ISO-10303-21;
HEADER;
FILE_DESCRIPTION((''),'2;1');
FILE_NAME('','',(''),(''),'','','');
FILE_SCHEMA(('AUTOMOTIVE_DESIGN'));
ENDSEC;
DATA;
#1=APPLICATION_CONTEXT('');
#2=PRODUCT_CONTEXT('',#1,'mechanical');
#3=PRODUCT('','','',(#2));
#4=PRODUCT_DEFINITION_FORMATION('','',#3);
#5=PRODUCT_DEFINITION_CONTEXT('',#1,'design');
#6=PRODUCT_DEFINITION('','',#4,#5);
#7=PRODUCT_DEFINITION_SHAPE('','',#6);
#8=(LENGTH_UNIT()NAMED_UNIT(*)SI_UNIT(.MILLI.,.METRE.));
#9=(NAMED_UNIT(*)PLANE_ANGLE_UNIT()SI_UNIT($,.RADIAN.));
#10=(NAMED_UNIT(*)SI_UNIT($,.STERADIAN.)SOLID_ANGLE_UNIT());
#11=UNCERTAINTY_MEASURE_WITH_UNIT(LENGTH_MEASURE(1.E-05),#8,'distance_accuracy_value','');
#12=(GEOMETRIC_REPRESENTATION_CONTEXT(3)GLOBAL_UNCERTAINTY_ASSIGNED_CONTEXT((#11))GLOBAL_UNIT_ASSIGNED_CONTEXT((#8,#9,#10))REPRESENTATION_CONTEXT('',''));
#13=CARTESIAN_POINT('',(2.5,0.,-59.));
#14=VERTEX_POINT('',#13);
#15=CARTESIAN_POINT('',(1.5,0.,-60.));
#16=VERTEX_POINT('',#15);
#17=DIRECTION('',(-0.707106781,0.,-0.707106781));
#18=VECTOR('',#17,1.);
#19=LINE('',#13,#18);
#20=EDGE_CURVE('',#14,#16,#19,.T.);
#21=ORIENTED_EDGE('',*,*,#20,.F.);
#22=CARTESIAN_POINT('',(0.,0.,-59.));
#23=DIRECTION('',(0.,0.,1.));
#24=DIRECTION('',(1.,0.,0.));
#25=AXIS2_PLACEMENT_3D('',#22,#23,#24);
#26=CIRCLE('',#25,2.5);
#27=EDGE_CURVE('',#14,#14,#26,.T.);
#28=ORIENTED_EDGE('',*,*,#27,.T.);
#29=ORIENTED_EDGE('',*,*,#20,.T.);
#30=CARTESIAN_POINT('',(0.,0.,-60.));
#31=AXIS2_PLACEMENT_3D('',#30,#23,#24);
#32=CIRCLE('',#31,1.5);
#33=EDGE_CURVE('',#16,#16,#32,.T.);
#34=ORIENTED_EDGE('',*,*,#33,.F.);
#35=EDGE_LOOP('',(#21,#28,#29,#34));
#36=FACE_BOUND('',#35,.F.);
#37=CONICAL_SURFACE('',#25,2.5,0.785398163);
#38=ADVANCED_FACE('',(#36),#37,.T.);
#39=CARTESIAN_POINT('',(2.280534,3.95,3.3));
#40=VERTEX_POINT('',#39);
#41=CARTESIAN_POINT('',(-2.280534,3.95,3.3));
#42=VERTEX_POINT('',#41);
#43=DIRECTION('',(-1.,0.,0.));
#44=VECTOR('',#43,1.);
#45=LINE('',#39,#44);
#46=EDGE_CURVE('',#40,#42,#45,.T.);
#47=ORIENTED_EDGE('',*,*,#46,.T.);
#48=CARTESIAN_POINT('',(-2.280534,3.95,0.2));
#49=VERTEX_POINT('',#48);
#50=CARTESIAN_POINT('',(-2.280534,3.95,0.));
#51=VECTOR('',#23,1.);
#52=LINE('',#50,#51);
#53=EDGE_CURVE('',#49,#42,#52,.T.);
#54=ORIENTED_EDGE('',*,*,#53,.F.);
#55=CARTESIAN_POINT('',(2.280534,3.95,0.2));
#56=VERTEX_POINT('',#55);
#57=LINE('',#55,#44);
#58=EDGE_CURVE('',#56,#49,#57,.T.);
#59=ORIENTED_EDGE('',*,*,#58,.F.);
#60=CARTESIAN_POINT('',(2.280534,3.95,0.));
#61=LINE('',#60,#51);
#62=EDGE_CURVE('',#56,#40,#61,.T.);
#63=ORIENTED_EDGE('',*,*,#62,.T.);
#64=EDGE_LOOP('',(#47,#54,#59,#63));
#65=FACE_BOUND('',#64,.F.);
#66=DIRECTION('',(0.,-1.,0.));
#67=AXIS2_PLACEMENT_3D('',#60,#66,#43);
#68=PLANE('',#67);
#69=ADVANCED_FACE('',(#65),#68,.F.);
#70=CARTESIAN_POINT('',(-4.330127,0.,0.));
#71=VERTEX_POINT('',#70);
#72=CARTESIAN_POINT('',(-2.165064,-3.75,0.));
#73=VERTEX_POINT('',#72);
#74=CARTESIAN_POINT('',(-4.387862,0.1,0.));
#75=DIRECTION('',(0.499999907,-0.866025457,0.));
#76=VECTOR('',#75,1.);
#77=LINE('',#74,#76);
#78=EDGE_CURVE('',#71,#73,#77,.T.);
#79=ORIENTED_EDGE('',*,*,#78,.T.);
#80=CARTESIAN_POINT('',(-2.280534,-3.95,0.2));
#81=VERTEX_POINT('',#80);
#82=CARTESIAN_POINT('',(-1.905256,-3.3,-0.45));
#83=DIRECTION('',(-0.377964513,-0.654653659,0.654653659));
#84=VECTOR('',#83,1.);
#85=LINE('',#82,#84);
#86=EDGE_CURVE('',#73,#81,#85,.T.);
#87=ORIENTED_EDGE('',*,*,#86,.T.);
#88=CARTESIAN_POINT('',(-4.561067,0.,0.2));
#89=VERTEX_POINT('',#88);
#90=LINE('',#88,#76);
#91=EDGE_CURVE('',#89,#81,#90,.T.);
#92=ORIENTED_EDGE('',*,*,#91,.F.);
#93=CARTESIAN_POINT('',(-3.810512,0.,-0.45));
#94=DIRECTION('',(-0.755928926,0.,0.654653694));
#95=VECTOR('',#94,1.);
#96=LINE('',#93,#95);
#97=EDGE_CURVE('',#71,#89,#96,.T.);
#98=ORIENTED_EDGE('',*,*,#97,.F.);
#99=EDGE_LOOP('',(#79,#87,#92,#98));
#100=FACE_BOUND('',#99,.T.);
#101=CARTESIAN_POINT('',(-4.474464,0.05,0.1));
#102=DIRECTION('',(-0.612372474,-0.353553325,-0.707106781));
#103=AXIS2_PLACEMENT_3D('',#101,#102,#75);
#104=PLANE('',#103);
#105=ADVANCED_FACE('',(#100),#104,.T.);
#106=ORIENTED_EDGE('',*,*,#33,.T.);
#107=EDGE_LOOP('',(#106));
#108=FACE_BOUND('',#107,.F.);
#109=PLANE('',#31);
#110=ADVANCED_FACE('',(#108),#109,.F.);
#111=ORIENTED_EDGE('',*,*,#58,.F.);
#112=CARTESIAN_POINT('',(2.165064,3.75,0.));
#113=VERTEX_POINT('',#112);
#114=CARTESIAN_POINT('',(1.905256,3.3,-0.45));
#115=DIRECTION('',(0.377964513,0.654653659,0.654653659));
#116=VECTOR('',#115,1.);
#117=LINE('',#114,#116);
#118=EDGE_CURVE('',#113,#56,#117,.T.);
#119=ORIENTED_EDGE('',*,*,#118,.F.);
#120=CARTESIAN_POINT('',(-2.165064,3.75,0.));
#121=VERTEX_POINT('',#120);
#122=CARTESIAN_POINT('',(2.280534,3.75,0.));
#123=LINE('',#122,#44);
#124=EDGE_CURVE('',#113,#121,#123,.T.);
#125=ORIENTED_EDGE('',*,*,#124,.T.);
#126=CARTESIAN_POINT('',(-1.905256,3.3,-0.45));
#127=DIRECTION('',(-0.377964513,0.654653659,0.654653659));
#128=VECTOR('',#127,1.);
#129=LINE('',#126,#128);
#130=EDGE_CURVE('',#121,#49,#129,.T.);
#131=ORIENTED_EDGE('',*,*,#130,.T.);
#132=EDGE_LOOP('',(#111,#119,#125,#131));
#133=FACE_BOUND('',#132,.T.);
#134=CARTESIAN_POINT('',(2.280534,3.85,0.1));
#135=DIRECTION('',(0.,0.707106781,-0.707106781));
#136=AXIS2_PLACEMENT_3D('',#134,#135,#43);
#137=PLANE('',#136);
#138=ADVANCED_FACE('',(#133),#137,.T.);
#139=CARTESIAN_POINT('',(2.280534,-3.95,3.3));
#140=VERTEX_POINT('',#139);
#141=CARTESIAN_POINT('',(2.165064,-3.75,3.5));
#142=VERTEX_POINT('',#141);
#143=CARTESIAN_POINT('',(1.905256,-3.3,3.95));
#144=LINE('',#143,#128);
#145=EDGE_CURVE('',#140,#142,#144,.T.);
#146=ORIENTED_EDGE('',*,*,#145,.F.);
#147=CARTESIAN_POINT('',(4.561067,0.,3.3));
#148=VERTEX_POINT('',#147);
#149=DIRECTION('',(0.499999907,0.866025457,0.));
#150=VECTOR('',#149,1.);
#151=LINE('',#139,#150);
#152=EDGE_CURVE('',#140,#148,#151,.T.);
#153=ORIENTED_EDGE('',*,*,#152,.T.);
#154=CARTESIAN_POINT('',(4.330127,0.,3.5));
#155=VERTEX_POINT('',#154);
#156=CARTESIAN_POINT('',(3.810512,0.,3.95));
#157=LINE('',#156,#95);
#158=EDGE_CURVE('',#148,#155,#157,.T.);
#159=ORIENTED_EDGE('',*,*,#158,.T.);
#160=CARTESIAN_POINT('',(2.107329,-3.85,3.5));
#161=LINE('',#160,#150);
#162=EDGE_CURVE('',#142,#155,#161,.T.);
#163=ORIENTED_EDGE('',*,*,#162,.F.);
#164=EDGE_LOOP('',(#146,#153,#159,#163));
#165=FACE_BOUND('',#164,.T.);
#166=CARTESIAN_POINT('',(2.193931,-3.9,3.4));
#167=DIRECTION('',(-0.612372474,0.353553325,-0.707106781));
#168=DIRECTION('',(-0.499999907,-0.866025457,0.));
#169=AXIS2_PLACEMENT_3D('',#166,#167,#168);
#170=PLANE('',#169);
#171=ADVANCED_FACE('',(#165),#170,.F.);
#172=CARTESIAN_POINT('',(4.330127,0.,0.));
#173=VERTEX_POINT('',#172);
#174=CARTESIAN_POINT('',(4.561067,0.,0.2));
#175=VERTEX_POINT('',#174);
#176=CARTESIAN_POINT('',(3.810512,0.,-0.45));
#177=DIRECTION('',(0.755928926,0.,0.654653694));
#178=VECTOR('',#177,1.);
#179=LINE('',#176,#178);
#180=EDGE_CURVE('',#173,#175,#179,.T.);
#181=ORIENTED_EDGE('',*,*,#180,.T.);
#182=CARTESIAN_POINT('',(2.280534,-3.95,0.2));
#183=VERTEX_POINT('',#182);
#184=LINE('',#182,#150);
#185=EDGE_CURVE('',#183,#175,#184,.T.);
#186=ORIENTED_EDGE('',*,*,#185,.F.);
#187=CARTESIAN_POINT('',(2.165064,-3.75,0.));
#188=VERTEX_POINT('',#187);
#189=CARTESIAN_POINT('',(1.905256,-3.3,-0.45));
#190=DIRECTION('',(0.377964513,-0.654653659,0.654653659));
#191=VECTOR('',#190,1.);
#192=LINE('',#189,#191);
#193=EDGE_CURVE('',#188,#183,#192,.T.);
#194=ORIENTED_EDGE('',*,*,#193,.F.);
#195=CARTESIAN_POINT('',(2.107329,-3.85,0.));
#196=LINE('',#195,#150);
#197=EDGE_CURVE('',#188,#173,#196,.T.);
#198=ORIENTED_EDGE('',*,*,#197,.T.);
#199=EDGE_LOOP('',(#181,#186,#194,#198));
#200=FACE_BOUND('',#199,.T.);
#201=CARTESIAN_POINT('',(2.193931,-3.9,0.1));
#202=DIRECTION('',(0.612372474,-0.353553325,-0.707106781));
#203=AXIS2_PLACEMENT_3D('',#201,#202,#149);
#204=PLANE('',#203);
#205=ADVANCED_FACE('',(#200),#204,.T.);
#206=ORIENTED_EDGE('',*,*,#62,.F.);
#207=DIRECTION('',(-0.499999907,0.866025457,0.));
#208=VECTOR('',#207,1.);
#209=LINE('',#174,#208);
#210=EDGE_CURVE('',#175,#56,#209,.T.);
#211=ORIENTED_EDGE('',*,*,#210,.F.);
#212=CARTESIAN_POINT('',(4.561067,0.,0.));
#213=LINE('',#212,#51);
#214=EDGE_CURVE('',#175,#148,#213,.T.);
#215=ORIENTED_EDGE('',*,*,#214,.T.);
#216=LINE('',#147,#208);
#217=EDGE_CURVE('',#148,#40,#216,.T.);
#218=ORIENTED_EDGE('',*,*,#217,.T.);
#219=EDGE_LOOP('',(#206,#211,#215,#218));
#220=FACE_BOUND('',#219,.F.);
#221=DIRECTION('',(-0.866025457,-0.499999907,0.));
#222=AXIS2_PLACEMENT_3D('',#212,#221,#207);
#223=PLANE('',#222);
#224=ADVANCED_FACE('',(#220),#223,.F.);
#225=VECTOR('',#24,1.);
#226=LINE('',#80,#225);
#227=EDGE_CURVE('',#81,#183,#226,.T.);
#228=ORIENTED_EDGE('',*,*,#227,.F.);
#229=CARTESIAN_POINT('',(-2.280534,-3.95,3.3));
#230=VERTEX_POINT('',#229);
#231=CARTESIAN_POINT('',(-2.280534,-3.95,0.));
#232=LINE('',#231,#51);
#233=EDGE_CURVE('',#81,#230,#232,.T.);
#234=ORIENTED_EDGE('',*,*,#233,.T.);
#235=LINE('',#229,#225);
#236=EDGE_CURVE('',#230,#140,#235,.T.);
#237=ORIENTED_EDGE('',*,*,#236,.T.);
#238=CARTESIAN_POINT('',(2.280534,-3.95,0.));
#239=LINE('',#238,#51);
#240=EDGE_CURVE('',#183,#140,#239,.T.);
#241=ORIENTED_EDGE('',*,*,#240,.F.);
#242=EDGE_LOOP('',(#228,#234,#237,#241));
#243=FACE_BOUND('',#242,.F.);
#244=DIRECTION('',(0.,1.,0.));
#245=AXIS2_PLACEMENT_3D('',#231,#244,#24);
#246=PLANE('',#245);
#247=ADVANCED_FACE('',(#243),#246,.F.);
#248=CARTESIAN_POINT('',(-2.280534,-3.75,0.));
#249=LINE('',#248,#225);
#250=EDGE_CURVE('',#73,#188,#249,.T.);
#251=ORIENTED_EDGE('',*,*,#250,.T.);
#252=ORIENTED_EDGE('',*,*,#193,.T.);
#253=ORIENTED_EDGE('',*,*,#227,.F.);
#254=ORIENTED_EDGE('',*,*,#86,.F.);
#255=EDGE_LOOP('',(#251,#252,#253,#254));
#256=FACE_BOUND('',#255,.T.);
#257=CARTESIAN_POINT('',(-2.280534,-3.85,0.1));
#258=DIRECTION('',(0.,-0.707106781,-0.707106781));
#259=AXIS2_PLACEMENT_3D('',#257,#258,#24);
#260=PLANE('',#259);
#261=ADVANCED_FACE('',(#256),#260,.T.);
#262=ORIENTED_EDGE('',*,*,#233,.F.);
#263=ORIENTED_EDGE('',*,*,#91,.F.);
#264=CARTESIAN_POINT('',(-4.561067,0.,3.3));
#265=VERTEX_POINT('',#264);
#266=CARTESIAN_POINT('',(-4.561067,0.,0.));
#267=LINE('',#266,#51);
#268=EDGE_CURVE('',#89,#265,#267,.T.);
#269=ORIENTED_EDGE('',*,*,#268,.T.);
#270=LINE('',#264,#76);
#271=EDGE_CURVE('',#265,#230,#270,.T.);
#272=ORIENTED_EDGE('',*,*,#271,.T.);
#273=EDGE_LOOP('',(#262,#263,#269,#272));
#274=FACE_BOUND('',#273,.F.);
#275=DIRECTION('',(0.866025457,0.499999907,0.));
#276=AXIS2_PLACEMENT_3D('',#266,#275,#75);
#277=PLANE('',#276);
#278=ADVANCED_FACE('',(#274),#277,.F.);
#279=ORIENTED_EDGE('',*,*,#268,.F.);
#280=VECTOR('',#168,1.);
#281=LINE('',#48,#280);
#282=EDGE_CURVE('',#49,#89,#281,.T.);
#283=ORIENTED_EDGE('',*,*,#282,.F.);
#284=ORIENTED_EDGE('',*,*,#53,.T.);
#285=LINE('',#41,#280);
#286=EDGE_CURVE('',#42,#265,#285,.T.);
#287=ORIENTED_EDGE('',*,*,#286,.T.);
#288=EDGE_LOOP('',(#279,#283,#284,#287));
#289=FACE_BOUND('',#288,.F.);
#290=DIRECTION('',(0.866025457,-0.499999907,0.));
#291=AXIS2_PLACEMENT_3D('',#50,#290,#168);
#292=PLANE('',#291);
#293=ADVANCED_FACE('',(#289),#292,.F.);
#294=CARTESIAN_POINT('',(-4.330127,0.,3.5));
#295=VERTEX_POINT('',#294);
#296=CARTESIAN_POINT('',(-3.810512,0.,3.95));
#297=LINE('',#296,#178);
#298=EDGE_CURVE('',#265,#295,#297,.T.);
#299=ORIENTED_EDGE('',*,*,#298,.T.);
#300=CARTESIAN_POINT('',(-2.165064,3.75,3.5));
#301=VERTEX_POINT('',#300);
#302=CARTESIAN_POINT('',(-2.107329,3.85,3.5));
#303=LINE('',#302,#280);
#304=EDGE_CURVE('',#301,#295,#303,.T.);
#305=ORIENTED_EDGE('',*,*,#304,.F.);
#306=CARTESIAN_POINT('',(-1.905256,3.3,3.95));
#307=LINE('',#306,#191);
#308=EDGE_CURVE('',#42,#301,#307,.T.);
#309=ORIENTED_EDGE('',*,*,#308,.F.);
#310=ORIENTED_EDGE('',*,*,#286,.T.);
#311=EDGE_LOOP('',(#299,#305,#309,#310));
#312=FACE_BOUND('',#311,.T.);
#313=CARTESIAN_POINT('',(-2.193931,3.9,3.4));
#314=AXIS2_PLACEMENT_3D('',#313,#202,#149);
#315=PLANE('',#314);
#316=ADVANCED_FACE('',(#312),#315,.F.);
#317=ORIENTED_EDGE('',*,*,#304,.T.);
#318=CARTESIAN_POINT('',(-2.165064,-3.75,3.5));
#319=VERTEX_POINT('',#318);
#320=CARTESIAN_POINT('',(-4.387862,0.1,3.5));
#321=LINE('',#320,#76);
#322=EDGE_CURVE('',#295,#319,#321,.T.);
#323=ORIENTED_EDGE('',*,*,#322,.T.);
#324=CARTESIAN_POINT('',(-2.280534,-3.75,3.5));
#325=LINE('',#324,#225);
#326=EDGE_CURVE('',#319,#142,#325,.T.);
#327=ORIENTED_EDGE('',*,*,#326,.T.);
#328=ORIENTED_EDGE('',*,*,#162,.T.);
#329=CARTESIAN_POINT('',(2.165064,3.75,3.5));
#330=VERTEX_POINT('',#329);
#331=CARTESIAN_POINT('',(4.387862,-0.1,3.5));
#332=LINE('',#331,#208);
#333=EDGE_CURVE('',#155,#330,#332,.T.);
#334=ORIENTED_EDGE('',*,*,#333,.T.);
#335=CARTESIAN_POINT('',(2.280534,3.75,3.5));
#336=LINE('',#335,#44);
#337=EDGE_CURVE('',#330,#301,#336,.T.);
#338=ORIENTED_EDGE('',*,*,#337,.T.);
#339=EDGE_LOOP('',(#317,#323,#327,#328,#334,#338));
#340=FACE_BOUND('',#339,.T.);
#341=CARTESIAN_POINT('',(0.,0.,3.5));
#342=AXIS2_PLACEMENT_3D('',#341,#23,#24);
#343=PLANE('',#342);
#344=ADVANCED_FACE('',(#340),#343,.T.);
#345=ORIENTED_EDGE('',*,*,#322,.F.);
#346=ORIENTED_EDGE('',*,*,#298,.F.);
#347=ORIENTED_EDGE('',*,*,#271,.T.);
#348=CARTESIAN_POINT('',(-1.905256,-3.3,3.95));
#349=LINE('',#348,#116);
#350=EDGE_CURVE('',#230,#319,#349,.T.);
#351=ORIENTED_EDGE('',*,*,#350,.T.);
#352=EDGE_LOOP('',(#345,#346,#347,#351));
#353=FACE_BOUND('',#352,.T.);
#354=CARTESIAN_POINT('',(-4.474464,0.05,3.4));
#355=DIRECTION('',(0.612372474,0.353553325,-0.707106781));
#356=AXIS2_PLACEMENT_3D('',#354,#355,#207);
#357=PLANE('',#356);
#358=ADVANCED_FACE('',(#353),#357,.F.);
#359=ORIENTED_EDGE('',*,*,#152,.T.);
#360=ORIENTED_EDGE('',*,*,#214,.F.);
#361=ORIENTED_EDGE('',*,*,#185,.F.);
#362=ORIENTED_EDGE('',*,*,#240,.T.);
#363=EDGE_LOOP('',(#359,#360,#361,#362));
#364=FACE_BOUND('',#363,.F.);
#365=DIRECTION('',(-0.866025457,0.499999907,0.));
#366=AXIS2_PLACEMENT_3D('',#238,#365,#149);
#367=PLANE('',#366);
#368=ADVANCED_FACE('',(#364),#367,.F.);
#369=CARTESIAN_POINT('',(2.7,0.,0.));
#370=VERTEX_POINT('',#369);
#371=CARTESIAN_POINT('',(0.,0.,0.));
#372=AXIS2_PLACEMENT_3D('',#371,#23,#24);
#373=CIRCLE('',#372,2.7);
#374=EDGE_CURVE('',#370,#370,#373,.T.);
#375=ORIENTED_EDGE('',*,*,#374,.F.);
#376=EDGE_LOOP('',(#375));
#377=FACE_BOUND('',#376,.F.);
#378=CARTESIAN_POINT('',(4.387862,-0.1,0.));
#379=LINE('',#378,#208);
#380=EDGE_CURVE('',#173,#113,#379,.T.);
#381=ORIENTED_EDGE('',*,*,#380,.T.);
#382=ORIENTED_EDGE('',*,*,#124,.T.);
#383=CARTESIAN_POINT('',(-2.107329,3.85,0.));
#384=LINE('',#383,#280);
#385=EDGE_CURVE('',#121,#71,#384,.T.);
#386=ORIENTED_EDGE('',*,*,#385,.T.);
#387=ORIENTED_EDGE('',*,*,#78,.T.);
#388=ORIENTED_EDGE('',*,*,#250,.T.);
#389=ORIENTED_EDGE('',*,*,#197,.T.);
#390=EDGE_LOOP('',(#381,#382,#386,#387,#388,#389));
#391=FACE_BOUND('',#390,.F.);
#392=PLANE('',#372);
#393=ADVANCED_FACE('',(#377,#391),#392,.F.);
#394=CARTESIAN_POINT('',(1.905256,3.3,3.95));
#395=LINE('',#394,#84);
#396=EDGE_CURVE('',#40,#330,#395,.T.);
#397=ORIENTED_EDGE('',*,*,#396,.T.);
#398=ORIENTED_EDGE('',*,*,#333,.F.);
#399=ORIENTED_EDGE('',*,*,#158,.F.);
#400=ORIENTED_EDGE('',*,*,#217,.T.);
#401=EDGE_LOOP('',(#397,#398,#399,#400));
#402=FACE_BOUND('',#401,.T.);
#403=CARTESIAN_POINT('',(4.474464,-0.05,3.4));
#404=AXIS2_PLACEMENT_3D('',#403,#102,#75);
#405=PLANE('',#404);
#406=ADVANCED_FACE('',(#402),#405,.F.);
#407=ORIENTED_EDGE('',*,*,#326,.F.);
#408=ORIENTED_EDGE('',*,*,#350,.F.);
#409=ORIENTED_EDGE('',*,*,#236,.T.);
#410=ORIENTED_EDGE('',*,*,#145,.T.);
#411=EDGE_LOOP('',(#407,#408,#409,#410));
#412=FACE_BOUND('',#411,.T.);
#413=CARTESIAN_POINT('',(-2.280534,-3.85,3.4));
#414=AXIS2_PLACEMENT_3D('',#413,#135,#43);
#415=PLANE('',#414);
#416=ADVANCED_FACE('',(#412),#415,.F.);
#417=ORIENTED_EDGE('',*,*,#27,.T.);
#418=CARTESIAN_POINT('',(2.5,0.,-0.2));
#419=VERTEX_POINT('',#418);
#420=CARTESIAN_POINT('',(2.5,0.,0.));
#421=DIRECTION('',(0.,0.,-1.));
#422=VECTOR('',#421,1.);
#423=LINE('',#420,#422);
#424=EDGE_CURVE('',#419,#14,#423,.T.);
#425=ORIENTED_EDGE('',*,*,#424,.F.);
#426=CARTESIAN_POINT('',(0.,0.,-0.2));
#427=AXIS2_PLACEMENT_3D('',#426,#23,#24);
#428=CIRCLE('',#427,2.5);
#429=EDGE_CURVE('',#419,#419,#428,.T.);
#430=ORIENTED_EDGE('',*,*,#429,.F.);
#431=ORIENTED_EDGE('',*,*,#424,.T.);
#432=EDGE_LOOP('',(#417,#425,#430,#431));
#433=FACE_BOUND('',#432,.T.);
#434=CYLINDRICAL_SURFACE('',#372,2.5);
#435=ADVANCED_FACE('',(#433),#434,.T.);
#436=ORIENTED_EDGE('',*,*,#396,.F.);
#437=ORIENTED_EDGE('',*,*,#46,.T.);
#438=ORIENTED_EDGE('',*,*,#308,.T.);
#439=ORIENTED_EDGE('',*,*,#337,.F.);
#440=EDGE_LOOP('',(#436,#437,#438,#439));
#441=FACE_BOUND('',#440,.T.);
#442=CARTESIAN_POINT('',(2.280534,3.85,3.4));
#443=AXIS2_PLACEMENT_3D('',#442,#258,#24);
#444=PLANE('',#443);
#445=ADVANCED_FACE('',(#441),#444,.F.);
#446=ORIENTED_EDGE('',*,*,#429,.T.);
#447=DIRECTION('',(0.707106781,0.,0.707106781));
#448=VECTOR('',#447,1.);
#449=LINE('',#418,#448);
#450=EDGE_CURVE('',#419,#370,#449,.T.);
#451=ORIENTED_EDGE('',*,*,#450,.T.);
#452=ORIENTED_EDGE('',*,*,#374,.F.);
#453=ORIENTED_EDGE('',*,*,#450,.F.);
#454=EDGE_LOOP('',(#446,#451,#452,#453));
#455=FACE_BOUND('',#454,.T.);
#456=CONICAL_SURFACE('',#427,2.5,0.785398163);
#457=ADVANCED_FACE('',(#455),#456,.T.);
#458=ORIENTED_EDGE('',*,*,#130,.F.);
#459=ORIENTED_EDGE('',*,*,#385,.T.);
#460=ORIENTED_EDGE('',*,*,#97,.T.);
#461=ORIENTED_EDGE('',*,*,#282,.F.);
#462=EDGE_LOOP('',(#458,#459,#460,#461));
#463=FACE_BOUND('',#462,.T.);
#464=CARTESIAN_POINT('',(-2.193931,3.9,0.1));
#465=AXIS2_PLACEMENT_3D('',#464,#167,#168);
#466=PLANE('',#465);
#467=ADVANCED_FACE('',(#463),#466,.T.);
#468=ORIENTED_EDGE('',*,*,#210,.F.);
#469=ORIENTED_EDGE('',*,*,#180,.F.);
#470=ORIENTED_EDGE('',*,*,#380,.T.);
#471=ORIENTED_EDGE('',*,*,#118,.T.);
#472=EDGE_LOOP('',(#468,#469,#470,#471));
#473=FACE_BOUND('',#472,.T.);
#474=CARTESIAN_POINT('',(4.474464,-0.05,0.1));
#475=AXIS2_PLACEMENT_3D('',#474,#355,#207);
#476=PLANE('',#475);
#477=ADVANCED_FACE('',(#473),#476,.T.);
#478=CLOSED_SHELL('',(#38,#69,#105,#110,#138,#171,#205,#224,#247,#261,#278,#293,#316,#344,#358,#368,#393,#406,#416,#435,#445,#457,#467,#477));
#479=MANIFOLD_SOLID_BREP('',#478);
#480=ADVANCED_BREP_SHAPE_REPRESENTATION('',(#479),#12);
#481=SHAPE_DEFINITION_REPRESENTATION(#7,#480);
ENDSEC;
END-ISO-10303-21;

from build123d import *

# Parameters (mm, degrees)
F0_R     = 2.5
F1_DEPTH = 3.5
F2_DEPTH = 60
F3_SIZE  = 1
F4_SIZE  = 0.2


with BuildPart() as f1:
    # F0 (on Top) → F1 (new body)
    with BuildSketch(Plane.XY):
        Polygon((2.280534, 3.95), (-2.280534, 3.95), (-4.561067, 0), (-2.280534, -3.95), (2.280534, -3.95), (4.561067, 0), align=None)
        Circle(F0_R, mode=Mode.SUBTRACT)
        Circle(F0_R)
    extrude(amount=F1_DEPTH)

    # F0 (on Top) → F2 (join)
    with BuildSketch(Plane.XY):
        Circle(F0_R)
    extrude(amount=-F2_DEPTH)

    # F3
    f3_edges = [f1.edges().sort_by_distance(p)[0] for p in [
        (-2.5, 0, -60),
    ]]
    chamfer(f3_edges, length=F3_SIZE)

    # F4
    f4_edges = [f1.edges().sort_by_distance(p)[0] for p in [
        (0, 3.95, 3.5),
        (-3.4208, 1.975, 3.5),
        (-3.4208, -1.975, 3.5),
        (0, -3.95, 3.5),
        (3.4208, -1.975, 3.5),
        (3.4208, 1.975, 3.5),
        (0, 3.95, 0),
        (3.4208, 1.975, 0),
        (-3.4208, 1.975, 0),
        (3.4208, -1.975, 0),
        (-3.4208, -1.975, 0),
        (0, -3.95, 0),
        (-2.5, 0, 0),
    ]]
    chamfer(f4_edges, length=F4_SIZE)


solid = f1.part
